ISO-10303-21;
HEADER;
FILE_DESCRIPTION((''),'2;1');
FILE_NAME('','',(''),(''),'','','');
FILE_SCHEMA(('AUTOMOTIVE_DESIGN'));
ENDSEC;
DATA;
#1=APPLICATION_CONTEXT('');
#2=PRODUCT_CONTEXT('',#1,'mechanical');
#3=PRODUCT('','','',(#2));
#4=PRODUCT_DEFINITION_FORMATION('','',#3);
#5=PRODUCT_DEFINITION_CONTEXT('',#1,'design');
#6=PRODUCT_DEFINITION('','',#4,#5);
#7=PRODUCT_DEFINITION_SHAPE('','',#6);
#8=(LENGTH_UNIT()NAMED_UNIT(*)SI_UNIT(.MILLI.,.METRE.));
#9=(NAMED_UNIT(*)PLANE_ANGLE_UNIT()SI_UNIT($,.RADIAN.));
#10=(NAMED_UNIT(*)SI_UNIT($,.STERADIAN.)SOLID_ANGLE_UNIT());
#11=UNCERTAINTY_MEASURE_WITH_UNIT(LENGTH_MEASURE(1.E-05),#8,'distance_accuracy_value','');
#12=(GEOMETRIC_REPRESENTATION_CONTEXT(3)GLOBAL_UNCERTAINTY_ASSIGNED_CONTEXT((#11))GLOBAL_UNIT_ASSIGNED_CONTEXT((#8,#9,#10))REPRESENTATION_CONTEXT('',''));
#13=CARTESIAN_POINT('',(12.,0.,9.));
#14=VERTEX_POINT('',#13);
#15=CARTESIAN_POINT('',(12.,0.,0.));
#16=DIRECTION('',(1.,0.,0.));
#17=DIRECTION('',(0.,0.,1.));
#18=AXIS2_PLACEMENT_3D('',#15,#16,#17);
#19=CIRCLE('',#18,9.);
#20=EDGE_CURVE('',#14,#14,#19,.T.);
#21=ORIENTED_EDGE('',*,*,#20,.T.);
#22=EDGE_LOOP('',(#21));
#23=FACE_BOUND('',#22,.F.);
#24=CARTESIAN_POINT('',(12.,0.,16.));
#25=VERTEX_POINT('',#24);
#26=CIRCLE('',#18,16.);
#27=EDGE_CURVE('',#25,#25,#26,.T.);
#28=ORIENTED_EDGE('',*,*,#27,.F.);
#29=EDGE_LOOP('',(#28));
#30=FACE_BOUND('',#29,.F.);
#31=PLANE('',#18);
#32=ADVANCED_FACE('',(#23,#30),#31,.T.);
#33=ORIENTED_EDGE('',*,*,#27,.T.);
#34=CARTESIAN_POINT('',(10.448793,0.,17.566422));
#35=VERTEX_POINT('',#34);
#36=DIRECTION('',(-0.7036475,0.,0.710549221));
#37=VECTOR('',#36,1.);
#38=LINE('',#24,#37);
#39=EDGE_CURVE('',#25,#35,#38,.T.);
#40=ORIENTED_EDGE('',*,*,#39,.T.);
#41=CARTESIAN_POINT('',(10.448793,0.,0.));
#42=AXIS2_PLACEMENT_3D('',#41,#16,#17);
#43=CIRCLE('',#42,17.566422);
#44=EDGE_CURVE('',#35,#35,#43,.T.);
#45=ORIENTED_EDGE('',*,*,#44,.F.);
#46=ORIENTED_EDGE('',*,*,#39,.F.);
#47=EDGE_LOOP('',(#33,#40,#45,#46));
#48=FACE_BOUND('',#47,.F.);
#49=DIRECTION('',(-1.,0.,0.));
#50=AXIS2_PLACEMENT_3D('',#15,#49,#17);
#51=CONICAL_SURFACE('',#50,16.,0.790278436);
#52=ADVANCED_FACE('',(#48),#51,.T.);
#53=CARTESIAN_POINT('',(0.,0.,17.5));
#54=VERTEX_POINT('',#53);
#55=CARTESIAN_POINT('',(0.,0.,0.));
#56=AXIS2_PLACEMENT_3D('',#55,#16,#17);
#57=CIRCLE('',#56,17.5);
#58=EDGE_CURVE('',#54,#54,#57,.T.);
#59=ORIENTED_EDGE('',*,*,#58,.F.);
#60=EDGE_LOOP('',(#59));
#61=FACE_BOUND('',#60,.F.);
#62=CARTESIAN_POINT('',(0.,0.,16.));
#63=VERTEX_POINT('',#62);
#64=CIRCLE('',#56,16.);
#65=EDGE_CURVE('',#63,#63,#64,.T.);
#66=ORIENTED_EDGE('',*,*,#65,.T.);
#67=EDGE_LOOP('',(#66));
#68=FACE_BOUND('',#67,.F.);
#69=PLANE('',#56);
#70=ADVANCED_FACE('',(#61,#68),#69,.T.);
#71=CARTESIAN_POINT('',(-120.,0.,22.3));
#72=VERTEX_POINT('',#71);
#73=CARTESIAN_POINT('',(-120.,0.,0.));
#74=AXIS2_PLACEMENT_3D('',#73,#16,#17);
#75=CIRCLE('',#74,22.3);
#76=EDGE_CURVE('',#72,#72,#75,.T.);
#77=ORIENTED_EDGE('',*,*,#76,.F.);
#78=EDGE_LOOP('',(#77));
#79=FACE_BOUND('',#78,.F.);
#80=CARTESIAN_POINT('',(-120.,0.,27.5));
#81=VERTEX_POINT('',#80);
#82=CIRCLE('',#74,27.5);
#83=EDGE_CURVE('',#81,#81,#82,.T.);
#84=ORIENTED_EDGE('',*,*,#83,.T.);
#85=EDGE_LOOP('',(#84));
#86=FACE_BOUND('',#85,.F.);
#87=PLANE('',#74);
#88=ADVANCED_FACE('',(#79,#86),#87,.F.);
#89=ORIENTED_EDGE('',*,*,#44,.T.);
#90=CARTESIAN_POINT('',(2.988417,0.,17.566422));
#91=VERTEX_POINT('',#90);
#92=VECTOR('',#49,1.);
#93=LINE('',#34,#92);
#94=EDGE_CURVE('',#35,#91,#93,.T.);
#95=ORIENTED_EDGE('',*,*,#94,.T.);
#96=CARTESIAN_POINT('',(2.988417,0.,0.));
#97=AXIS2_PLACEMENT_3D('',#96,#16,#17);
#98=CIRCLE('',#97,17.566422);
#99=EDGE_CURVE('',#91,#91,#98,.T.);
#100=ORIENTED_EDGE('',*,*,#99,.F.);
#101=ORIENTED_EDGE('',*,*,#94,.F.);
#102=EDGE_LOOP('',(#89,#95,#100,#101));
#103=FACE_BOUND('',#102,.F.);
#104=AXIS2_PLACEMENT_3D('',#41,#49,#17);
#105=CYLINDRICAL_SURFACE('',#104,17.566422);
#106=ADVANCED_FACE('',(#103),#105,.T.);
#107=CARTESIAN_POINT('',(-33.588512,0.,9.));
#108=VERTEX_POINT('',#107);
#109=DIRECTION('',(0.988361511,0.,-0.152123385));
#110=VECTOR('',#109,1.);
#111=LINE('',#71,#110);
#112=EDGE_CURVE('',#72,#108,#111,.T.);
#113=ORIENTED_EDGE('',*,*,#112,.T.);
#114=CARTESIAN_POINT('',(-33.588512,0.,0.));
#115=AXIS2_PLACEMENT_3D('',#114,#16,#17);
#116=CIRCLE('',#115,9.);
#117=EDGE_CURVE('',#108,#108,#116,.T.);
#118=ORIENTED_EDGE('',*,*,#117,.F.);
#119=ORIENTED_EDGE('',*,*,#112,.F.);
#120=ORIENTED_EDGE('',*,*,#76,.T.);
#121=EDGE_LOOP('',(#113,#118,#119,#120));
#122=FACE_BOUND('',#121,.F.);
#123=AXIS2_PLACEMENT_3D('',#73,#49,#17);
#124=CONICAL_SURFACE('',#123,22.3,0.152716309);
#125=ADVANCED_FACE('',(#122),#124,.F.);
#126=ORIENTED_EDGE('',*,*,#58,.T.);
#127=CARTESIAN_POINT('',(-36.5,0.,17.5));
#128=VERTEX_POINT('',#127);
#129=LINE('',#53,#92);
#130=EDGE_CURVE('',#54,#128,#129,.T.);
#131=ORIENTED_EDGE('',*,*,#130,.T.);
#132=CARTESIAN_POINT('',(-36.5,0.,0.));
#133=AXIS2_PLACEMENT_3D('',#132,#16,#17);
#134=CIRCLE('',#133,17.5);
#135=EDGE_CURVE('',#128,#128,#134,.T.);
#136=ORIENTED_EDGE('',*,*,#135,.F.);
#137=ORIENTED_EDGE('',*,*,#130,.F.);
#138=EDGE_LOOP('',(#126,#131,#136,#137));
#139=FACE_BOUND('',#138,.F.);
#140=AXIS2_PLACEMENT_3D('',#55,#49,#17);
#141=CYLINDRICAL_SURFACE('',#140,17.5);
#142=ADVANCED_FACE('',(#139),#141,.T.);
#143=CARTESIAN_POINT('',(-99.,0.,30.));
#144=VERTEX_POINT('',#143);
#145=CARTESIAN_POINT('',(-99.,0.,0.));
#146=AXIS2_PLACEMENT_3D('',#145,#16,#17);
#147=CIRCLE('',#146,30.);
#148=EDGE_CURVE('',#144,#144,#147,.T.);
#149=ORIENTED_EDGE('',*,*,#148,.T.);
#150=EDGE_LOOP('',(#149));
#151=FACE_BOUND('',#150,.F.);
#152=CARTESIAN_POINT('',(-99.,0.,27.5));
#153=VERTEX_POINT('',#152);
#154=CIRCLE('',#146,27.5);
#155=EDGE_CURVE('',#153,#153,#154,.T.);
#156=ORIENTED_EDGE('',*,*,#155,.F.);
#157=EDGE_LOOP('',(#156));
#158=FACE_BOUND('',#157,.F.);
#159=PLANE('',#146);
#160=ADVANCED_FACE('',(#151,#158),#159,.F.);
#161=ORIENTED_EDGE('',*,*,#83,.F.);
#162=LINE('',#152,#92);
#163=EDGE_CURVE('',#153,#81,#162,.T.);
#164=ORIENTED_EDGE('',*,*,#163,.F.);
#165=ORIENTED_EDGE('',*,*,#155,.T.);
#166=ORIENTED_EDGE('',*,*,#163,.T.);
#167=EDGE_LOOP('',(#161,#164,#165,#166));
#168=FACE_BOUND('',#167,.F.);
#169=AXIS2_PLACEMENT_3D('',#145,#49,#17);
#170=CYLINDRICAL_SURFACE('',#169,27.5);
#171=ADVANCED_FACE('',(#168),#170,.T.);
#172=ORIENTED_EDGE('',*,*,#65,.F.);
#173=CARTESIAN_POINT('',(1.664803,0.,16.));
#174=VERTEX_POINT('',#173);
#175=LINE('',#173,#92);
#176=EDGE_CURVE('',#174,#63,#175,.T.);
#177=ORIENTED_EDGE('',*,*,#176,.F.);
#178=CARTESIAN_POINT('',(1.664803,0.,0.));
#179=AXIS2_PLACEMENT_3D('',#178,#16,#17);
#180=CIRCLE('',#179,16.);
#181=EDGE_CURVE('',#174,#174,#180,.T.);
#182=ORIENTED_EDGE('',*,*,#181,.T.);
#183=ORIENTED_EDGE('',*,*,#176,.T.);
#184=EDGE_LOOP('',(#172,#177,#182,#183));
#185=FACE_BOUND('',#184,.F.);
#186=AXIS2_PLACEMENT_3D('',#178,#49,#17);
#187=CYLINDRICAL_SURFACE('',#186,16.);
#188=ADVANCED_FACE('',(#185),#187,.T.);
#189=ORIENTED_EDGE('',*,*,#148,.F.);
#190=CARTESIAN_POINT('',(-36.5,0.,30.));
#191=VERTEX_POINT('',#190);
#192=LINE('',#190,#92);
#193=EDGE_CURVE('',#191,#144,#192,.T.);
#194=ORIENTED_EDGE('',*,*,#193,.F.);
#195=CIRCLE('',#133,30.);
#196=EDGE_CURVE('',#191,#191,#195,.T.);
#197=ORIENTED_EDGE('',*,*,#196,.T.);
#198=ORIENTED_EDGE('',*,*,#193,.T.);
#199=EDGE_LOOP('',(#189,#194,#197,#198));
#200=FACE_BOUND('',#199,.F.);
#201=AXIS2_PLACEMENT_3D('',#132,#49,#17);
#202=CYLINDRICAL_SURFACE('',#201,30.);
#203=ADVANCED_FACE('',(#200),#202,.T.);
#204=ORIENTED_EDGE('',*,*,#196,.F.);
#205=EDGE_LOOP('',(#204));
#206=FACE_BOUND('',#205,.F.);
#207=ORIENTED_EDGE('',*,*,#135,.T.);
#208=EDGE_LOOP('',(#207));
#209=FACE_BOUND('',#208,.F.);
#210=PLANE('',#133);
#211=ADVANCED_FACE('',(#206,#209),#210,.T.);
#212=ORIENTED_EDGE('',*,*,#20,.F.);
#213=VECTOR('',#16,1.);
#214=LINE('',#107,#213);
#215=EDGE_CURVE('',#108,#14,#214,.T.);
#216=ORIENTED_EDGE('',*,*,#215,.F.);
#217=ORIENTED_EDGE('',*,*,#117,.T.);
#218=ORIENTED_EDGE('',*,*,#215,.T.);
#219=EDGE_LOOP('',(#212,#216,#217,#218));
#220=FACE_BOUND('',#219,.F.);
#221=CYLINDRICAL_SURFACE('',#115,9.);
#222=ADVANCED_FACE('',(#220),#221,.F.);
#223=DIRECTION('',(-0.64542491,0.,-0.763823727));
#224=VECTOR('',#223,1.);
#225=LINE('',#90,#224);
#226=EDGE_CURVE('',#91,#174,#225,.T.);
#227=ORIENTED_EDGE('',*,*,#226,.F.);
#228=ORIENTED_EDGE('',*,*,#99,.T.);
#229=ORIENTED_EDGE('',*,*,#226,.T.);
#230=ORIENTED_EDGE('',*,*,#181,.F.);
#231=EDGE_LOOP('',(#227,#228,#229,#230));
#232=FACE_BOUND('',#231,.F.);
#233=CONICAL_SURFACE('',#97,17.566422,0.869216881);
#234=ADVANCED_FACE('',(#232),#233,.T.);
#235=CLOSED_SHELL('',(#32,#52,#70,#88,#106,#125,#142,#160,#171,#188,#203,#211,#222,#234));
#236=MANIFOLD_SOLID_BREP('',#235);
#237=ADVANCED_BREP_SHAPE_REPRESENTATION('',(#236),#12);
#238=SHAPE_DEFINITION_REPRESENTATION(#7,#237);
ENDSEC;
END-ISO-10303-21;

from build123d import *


with BuildPart() as f1:
    # F0 (on Front) → F1 (revolve)
    with BuildSketch(Plane.XZ):
        Polygon((-99, 27.5), (-120, 27.5), (-120, 22.3), (-33.588512, 9), (0, 9), (12, 9), (12, 16), (10.448793, 17.566422), (2.988417, 17.566422), (1.664803, 16), (0, 16), (0, 17.5), (-36.5, 17.5), (-36.5, 30), (-99, 30), align=None)
    revolve(axis=Axis((-41.004533, 0, 0), (1, 0, 0)))


solid = f1.part
